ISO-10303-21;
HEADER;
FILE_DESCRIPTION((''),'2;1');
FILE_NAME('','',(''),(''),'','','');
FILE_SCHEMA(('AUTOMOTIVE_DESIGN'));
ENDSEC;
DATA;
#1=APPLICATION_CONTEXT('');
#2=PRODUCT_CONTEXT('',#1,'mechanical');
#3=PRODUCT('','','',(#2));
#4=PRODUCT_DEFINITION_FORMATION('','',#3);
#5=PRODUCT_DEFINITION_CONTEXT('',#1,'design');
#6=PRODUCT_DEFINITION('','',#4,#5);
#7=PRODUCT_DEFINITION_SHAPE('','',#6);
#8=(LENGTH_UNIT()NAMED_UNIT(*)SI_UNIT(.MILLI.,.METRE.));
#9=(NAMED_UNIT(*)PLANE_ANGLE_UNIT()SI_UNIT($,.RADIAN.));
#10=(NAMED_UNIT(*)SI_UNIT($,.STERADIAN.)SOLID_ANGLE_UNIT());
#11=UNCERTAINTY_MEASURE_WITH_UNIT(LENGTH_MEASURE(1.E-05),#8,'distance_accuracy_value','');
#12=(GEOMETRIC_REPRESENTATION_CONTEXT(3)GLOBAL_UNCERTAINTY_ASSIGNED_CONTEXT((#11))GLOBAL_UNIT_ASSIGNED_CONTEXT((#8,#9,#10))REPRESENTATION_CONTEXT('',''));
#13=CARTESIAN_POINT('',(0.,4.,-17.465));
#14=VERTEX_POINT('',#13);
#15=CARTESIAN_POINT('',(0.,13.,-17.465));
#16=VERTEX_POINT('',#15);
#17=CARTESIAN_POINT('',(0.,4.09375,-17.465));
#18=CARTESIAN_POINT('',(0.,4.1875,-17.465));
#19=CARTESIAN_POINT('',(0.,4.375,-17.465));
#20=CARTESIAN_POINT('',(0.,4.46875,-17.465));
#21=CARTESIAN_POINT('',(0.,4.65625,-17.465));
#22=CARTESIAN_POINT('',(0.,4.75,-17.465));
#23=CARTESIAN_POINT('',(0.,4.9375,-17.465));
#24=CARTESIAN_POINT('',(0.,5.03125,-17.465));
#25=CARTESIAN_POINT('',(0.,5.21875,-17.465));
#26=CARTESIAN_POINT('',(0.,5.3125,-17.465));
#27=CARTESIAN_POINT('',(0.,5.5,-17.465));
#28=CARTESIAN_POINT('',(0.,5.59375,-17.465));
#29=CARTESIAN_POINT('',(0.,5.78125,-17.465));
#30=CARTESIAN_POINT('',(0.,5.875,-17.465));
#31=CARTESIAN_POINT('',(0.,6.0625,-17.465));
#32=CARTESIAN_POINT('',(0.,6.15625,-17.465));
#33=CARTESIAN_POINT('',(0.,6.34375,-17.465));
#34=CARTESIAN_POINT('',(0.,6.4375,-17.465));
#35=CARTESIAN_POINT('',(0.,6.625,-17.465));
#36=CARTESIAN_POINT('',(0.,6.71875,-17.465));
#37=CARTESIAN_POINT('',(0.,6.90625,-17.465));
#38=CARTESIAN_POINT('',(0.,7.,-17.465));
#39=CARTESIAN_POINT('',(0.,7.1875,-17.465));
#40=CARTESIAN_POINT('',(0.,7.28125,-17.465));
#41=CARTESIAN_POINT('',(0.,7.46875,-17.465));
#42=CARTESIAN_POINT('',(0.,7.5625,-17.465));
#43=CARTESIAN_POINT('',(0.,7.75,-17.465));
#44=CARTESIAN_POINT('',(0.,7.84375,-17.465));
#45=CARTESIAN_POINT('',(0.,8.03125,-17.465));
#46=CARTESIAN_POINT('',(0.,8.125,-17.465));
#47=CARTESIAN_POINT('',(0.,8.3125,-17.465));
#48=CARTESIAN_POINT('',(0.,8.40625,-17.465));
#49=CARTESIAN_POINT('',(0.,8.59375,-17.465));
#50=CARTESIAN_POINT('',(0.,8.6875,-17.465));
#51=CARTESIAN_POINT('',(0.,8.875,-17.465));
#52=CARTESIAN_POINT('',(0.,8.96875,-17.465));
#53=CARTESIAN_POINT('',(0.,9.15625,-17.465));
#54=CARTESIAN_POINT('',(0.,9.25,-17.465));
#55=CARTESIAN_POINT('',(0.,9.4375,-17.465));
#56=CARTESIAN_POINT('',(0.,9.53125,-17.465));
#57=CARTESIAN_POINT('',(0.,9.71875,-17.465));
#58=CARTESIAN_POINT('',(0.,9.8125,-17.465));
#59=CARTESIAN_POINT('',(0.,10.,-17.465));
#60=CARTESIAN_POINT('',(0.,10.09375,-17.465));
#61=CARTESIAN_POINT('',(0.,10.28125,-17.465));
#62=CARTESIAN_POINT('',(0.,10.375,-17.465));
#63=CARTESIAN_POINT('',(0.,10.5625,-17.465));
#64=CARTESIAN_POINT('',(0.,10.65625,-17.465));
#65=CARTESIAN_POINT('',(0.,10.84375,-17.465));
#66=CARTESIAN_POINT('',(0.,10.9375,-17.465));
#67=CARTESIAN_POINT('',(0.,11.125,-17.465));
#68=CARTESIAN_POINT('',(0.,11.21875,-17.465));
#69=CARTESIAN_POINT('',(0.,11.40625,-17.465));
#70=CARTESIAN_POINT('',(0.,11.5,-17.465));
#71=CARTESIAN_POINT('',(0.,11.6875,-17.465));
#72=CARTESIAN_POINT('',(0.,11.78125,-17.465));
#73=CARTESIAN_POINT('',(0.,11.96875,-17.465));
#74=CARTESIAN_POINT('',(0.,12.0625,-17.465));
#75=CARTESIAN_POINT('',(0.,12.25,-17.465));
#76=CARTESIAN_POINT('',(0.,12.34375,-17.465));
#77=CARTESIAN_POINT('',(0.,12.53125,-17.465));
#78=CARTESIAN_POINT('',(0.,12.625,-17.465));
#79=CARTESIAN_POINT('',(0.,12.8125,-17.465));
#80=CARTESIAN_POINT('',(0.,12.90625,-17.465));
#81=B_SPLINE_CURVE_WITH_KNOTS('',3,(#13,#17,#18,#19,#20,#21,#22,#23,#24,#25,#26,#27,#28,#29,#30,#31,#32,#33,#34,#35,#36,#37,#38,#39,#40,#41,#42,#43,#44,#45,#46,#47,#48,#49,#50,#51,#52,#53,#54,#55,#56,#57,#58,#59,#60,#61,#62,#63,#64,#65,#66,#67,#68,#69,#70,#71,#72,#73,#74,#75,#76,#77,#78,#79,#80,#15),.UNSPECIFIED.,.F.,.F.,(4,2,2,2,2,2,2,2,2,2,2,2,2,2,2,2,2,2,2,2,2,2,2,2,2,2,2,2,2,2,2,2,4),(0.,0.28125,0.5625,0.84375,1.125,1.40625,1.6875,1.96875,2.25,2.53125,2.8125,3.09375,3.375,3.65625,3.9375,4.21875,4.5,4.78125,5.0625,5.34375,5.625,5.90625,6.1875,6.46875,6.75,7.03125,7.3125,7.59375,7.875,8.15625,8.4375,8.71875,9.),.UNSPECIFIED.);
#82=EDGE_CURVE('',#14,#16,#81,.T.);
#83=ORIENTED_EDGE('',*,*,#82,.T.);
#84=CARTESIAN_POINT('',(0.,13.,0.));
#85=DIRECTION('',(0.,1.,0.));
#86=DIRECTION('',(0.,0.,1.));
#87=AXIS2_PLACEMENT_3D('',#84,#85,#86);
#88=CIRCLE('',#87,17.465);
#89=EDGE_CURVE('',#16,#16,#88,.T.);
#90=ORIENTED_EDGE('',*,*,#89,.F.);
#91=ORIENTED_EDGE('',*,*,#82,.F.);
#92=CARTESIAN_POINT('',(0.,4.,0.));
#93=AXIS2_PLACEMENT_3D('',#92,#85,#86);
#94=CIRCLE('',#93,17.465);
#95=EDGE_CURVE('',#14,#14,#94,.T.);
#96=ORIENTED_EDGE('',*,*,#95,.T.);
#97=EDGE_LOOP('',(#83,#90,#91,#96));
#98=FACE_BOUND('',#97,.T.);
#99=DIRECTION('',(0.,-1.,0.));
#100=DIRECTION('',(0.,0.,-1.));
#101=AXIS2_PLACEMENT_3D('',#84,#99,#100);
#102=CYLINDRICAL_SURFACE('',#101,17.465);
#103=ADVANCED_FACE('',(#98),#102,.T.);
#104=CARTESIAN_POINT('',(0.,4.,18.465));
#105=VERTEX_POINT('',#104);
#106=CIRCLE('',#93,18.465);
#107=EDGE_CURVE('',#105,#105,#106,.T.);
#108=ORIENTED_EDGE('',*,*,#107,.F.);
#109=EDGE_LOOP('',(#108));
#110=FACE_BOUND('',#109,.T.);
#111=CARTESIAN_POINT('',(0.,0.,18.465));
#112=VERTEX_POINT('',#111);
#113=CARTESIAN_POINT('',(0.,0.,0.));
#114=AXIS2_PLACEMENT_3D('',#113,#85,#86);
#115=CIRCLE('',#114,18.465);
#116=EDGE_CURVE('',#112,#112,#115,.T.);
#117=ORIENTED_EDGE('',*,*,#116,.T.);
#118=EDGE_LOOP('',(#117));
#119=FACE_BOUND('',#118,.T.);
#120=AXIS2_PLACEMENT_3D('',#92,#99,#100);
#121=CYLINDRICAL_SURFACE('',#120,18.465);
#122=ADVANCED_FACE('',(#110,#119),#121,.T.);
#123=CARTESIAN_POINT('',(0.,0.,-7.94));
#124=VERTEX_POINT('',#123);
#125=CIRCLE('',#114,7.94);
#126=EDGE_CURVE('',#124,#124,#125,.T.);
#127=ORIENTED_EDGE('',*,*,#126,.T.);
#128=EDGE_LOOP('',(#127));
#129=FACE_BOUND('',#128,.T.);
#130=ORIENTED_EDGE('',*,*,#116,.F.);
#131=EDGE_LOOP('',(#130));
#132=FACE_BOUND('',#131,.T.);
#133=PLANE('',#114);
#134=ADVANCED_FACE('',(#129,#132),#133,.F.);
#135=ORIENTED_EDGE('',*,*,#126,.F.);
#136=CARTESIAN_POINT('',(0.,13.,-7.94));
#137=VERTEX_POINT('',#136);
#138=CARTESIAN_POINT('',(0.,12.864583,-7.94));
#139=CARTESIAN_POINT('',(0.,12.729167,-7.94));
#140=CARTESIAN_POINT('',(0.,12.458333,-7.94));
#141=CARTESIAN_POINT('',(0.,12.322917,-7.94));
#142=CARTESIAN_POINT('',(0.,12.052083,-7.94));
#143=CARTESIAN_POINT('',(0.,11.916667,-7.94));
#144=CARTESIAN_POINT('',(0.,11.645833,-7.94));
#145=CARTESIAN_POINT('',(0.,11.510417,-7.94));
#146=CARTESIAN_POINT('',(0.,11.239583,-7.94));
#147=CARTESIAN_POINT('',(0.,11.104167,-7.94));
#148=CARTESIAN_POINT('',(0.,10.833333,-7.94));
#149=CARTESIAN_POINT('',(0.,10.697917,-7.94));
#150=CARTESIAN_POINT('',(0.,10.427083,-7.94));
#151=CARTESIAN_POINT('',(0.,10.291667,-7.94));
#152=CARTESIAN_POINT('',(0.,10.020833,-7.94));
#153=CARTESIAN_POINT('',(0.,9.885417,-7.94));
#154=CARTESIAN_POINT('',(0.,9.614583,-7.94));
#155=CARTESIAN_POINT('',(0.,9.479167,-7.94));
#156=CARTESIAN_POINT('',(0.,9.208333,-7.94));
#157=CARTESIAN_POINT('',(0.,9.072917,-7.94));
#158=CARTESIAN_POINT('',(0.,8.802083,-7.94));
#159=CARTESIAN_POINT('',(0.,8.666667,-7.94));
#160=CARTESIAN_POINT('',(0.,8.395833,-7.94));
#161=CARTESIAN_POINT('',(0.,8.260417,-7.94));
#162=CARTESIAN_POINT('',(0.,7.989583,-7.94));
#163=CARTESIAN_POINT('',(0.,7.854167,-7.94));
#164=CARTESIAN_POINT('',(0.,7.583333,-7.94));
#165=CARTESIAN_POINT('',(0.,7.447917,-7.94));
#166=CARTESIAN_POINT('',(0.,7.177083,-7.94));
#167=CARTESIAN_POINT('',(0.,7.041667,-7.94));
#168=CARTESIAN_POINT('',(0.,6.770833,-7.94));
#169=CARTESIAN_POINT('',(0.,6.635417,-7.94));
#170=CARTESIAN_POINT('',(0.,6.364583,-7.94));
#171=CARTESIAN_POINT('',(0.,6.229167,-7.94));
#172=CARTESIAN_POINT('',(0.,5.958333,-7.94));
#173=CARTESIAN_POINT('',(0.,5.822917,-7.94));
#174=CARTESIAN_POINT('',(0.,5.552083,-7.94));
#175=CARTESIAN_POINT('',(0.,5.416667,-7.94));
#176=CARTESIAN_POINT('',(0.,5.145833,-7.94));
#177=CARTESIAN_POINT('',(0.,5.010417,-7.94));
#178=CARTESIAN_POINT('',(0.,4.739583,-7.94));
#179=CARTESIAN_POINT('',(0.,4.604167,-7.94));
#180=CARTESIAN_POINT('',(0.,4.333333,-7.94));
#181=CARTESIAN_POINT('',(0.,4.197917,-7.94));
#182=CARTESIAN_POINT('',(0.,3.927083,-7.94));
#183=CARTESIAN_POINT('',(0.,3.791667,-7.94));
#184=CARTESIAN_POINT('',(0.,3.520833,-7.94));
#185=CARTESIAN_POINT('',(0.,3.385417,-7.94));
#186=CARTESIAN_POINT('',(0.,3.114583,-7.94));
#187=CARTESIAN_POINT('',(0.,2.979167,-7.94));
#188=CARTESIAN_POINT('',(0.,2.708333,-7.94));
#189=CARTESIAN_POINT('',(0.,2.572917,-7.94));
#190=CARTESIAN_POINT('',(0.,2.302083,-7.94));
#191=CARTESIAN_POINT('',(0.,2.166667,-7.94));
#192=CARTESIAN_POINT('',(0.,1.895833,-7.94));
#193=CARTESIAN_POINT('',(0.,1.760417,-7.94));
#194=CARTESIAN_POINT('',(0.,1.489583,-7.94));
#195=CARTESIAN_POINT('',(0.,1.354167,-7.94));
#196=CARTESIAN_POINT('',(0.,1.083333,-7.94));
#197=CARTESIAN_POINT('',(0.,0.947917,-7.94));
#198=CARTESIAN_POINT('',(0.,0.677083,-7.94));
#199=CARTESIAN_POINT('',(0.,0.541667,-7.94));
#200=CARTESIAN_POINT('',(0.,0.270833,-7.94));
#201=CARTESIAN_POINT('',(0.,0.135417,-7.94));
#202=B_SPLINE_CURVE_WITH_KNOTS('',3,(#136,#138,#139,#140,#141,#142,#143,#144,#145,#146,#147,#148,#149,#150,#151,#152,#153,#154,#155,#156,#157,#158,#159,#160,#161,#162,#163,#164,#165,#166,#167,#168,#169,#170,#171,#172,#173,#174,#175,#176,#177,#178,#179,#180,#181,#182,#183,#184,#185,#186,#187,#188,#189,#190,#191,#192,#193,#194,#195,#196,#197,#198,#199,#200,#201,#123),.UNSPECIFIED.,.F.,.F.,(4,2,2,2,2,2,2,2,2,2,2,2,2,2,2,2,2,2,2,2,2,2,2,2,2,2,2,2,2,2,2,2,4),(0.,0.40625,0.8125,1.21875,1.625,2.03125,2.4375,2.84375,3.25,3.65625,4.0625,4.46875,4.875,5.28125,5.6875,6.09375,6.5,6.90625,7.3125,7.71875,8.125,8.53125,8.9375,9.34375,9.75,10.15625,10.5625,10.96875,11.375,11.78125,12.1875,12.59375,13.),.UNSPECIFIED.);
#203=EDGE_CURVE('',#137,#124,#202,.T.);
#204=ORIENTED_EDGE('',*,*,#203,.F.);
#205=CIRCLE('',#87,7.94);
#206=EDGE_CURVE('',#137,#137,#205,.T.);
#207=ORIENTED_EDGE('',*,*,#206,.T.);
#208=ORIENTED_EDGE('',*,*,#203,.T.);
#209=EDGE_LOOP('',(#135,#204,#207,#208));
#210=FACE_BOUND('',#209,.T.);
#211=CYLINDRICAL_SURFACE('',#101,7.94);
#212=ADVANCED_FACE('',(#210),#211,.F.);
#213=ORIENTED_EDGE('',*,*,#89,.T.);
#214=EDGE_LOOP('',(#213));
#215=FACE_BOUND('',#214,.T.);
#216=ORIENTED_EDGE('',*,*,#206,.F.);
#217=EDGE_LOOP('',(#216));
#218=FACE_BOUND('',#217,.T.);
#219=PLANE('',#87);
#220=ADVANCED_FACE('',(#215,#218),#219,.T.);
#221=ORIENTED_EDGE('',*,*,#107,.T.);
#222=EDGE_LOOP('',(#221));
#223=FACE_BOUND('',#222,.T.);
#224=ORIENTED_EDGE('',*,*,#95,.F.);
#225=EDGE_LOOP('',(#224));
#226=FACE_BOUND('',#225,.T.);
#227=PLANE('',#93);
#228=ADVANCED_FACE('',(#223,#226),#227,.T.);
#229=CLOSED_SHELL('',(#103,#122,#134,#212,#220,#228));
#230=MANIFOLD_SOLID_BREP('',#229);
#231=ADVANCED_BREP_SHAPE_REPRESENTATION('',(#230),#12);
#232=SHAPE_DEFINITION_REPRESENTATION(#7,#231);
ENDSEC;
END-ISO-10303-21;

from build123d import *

# Parameters (mm, degrees)
SKETCH1_R           = 17.465
SKETCH1_R_2         = 7.94
BOSS_EXTRUDE1_DEPTH = 13
SKETCH2_R           = 18.465
SKETCH2_R_2         = 7.94
BOSS_EXTRUDE3_DEPTH = 4


with BuildPart() as part:
    # Sketch1 → Boss-Extrude1 (new body)
    with BuildSketch(Plane(origin=(0, 0, 0), x_dir=(1, 0, 0), z_dir=(0, 1, 0))):
        with Locations(Location((0, 0, 0), (0, 0, 90))):
            Circle(SKETCH1_R)
        with Locations(Location((0, 0, 0), (0, 0, 90))):
            Circle(SKETCH1_R_2, mode=Mode.SUBTRACT)
    extrude(amount=BOSS_EXTRUDE1_DEPTH)

    # Sketch2 → Boss-Extrude3 (add)
    with BuildSketch(Plane(origin=(0, 0, 0), x_dir=(1, 0, 0), z_dir=(0, 1, 0))):
        with Locations(Location((0, 0, 0), (0, 0, 270))):
            Circle(SKETCH2_R)
        with Locations(Location((0, 0, 0), (0, 0, 90))):
            Circle(SKETCH2_R_2, mode=Mode.SUBTRACT)
    extrude(amount=BOSS_EXTRUDE3_DEPTH)


solid = part.part
